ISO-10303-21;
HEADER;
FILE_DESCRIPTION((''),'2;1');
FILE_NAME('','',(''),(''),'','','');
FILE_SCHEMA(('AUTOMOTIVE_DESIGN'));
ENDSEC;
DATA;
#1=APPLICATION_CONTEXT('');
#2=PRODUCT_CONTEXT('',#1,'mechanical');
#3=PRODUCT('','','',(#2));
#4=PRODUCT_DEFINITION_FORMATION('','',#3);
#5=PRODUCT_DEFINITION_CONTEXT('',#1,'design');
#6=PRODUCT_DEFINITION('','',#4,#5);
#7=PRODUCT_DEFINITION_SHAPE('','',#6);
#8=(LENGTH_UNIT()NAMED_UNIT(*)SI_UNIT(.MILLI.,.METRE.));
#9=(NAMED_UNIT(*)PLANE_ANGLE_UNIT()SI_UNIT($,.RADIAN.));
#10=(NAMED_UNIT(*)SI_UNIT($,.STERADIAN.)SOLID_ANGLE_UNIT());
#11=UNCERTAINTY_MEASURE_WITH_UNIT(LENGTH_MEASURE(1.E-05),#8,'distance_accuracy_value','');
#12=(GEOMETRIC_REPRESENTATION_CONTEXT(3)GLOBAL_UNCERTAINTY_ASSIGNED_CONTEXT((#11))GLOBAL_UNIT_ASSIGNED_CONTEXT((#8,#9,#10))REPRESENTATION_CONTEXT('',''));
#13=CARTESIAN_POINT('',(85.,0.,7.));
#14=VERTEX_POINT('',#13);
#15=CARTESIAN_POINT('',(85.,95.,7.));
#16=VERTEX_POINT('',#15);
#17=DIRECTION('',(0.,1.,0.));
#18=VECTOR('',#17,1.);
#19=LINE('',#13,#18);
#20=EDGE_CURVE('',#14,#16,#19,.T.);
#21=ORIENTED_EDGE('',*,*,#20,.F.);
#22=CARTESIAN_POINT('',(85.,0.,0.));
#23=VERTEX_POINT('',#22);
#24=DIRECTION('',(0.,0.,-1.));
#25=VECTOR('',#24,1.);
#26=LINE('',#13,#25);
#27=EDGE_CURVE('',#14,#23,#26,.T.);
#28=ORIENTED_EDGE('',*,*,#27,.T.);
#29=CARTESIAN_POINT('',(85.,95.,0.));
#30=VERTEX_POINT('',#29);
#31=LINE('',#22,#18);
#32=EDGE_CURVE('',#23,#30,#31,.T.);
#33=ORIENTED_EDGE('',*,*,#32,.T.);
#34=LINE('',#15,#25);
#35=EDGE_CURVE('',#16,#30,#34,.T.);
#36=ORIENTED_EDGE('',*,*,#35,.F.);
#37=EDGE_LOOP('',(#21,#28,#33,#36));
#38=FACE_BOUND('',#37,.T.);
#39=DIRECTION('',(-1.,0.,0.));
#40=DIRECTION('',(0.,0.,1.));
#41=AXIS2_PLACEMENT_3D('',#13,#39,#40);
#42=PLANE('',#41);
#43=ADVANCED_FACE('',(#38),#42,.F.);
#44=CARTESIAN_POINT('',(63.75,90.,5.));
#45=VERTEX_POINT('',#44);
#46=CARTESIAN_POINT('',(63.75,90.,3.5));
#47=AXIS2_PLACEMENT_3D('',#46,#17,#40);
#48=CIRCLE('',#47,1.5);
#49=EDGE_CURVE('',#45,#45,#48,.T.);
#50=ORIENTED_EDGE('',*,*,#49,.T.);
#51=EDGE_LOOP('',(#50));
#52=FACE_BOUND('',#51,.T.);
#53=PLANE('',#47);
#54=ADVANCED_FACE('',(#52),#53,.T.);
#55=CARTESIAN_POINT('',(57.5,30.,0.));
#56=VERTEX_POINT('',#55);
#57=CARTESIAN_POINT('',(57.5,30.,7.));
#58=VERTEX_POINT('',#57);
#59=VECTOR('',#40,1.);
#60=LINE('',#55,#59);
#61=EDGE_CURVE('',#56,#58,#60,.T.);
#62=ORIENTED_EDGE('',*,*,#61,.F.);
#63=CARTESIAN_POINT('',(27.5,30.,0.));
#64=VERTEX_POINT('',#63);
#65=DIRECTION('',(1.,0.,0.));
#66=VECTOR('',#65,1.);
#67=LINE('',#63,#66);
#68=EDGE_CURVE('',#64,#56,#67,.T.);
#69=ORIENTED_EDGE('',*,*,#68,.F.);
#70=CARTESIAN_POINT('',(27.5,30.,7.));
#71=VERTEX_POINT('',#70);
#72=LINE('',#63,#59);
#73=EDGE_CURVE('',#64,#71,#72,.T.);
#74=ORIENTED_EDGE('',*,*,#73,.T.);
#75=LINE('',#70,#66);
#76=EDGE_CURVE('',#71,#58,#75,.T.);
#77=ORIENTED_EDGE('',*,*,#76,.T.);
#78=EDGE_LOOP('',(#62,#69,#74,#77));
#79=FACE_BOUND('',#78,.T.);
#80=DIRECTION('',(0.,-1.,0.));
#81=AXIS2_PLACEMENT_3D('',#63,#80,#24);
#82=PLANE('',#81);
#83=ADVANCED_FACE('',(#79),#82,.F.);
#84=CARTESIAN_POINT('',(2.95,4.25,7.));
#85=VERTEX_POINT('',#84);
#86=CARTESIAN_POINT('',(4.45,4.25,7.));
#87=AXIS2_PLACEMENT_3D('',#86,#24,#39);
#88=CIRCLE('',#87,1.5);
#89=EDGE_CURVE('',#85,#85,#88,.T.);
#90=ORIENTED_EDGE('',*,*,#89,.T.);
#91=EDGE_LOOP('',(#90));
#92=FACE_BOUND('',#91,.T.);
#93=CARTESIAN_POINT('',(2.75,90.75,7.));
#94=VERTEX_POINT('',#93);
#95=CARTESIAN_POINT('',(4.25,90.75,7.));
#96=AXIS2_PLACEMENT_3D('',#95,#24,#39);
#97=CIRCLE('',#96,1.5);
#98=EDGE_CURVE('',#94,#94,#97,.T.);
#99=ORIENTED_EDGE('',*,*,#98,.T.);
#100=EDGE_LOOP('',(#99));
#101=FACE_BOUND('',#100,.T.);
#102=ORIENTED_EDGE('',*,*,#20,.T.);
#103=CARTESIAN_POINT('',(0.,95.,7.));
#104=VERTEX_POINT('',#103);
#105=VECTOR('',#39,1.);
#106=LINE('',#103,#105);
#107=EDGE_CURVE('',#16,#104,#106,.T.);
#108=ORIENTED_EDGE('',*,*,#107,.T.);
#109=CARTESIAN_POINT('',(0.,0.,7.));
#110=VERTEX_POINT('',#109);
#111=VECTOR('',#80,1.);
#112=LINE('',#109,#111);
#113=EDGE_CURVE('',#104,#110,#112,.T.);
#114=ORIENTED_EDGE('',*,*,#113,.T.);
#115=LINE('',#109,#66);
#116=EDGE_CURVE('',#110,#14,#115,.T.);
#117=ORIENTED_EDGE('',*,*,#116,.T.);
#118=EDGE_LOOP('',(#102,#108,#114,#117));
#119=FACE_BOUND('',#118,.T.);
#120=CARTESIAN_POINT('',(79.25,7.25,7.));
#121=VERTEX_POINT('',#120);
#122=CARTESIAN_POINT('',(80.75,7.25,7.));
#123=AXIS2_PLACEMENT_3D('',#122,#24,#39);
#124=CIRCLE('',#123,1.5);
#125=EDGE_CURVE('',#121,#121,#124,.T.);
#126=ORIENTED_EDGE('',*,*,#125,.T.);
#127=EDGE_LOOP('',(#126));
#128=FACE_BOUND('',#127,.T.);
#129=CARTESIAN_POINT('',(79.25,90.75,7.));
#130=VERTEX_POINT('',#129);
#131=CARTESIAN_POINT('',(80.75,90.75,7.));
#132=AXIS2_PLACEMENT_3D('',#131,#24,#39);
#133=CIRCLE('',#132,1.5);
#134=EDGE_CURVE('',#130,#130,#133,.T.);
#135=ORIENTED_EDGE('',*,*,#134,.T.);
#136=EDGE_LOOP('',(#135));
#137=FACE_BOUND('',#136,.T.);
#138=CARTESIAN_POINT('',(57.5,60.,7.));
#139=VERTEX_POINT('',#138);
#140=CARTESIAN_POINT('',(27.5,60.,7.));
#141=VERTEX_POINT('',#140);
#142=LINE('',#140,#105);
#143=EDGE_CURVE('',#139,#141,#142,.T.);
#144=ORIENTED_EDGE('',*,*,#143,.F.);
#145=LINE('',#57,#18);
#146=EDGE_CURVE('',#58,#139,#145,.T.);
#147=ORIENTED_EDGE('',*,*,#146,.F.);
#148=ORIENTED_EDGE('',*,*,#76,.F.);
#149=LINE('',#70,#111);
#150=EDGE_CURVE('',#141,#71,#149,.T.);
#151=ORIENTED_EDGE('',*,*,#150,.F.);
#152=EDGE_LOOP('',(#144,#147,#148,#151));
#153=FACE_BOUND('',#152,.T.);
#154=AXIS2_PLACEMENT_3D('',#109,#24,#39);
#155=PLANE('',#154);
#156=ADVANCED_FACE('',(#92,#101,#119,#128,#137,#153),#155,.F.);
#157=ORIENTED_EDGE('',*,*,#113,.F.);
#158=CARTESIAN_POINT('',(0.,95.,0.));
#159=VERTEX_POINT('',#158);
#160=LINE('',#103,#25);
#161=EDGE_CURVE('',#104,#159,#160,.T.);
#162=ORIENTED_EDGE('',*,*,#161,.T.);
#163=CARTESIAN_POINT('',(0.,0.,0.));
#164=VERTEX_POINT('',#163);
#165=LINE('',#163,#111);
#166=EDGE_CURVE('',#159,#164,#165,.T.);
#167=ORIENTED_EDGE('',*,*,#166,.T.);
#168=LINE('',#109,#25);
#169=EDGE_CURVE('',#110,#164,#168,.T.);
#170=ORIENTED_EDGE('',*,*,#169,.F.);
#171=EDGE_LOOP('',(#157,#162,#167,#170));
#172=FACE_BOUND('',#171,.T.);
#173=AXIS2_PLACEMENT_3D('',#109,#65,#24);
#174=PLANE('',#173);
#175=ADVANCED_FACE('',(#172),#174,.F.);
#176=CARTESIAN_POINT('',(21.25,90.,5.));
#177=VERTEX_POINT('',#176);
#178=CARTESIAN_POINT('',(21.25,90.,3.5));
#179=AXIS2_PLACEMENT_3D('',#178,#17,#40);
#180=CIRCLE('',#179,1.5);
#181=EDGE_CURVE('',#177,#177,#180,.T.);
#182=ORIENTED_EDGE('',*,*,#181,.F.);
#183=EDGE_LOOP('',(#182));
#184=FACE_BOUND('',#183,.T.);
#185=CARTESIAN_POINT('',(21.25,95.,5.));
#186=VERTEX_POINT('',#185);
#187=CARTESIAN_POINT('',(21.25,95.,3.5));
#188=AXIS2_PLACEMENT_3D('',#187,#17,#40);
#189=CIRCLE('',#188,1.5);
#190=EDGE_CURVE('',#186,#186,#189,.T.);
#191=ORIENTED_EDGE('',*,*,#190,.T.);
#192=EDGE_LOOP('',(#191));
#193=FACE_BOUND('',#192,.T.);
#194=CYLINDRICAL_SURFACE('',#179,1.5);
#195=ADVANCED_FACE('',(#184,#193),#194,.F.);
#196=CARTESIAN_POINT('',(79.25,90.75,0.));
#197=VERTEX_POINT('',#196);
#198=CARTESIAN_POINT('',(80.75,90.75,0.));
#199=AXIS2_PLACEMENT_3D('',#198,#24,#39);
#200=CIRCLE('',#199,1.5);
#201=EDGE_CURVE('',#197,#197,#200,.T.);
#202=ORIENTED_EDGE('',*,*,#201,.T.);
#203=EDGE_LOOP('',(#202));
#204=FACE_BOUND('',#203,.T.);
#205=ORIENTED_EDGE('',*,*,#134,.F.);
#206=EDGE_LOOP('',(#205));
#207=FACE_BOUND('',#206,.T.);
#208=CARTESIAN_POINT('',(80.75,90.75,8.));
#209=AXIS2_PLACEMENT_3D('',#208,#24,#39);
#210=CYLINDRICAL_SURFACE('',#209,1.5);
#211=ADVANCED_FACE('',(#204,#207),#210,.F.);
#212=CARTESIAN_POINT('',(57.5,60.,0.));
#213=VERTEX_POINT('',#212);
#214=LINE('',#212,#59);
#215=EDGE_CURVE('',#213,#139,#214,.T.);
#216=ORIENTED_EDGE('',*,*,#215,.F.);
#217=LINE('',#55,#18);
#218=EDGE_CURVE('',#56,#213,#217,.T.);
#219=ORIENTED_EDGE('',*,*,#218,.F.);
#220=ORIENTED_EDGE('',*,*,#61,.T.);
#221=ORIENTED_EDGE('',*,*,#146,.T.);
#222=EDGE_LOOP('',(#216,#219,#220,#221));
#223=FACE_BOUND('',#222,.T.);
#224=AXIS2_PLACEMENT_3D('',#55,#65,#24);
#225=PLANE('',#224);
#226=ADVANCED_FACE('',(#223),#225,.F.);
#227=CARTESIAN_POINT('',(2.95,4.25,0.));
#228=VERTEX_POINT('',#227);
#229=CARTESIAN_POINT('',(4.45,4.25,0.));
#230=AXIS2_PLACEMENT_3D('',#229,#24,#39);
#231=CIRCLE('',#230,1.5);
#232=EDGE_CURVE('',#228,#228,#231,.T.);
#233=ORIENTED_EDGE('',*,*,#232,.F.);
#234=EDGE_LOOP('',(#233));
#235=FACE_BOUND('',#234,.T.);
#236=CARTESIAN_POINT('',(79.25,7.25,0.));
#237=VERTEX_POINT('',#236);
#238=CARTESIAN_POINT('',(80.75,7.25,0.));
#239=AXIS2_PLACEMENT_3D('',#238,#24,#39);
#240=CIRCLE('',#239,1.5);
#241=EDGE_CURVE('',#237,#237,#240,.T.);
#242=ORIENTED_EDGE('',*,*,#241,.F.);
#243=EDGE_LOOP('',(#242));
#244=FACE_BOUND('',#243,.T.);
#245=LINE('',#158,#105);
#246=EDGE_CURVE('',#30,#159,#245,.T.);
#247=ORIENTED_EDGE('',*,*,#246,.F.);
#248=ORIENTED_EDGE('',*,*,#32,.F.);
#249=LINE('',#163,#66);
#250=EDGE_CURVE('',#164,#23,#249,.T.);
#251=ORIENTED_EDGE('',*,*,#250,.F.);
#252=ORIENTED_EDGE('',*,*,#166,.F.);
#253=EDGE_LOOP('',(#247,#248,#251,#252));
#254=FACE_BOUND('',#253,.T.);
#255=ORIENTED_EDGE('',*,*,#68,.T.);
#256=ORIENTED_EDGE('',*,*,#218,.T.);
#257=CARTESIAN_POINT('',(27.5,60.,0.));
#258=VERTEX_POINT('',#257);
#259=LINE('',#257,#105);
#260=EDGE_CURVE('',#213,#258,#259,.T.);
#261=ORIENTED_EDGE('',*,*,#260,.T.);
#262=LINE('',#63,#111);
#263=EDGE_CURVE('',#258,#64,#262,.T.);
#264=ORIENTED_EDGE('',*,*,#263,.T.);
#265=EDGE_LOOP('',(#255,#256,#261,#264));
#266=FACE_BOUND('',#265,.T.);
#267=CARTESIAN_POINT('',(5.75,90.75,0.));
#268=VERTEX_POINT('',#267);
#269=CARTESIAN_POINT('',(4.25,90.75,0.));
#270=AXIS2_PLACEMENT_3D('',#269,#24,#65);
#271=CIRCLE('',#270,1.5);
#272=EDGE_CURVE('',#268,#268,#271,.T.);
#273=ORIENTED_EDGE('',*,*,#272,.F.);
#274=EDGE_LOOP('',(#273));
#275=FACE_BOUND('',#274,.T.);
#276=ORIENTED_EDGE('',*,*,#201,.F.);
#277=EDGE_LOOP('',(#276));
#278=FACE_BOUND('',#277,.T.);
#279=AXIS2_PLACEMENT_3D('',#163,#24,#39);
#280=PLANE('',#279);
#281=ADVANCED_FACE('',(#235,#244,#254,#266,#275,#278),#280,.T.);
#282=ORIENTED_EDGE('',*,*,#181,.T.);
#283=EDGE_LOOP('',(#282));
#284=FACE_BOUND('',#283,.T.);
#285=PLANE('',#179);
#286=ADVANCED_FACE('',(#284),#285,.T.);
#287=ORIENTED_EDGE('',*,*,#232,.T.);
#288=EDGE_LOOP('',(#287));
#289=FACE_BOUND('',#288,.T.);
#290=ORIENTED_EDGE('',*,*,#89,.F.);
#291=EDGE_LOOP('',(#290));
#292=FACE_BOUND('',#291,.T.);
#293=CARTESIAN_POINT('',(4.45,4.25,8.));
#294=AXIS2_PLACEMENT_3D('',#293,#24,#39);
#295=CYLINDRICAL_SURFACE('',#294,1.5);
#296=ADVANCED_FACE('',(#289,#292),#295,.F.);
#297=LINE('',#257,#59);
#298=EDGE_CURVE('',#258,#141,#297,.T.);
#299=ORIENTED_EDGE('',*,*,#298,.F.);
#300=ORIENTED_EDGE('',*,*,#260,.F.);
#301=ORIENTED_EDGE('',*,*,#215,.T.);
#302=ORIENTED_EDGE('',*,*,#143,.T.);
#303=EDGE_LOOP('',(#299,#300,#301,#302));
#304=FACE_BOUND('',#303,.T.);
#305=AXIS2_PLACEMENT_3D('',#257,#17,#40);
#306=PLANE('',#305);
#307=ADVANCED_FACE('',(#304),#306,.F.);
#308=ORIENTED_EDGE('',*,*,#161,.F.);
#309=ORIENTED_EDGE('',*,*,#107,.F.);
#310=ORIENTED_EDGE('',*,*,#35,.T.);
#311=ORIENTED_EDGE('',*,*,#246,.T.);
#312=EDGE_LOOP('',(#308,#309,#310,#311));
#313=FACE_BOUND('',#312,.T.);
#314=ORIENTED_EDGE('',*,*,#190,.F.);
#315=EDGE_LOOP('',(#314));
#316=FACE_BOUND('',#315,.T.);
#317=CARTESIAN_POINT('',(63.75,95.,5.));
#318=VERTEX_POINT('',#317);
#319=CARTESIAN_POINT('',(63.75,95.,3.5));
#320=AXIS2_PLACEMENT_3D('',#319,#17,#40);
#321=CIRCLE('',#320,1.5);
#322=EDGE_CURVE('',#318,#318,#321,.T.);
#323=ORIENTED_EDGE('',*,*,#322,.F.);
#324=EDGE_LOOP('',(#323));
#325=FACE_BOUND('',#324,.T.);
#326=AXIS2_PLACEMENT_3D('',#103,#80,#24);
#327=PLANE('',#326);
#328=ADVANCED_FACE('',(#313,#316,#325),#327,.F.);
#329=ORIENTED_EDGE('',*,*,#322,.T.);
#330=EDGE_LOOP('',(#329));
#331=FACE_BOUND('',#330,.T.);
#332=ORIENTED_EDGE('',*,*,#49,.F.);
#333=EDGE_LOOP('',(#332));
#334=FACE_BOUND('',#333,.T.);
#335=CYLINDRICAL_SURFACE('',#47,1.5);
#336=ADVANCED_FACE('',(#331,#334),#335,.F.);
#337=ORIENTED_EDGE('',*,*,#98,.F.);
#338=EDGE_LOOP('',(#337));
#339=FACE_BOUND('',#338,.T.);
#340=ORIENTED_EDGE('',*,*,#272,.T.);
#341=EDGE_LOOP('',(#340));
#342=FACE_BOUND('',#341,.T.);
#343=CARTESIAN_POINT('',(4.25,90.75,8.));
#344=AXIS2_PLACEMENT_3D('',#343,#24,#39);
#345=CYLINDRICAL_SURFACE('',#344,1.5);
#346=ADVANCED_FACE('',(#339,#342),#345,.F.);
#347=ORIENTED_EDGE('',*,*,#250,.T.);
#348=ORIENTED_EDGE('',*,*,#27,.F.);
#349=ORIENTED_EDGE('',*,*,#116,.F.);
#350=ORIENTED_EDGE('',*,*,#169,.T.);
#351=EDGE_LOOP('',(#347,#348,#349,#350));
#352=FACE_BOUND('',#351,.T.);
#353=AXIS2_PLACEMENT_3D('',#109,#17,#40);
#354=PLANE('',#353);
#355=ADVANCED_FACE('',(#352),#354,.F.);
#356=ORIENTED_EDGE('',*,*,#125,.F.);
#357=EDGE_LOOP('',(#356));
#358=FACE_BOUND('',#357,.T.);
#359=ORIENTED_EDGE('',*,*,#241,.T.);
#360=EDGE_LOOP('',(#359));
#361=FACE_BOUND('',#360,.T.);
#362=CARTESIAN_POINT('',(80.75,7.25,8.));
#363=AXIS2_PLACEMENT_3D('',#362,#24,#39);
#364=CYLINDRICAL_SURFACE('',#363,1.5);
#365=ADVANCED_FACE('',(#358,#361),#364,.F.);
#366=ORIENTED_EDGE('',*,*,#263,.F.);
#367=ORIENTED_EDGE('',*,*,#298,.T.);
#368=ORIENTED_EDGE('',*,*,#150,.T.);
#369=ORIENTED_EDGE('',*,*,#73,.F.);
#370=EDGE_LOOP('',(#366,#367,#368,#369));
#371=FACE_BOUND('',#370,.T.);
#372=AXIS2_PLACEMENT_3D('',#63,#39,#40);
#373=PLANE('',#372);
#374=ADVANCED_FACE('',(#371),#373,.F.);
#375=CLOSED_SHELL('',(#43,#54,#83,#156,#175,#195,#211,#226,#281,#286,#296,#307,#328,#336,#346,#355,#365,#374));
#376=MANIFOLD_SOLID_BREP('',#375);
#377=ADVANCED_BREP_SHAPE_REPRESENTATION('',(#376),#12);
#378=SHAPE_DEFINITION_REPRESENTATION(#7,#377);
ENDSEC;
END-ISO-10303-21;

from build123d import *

# Parameters (mm, degrees)
SKETCH1_W           = 85
SKETCH1_H           = 95
BOSS_EXTRUDE1_DEPTH = 7
SKETCH2_W           = 30
SKETCH2_H           = 30
CUT_EXTRUDE1_DEPTH  = 7
SKETCH4_R           = 1.5
CUT_EXTRUDE2_DEPTH  = 5
SKETCH6_R           = 1.5
CUT_EXTRUDE3_DEPTH  = 8


with BuildPart() as part:
    # Sketch1 → Boss-Extrude1 (new body)
    with BuildSketch(Plane.XY):
        with Locations((42.5, 47.5)):
            Rectangle(SKETCH1_W, SKETCH1_H)
    extrude(amount=BOSS_EXTRUDE1_DEPTH)

    # Sketch2 → Cut-Extrude1 (cut)
    with BuildSketch(Plane.XY.offset(7)):
        with Locations((42.5, 45)):
            Rectangle(SKETCH2_W, SKETCH2_H)
    extrude(amount=-CUT_EXTRUDE1_DEPTH, mode=Mode.SUBTRACT)

    # Sketch4 → Cut-Extrude2 (cut)
    with BuildSketch(Plane(origin=(0, 95, 0), x_dir=(1, 0, 0), z_dir=(0, 1, 0))):
        with Locations((21.25, -3.5)):
            Circle(SKETCH4_R)
        with Locations((63.75, -3.5)):
            Circle(SKETCH4_R)
    extrude(amount=-CUT_EXTRUDE2_DEPTH, mode=Mode.SUBTRACT)

    # Sketch6 → Cut-Extrude3 (cut)
    with BuildSketch(Plane(origin=(0, 0, 0), x_dir=(-1, 0, 0), z_dir=(0, 0, -1))):
        with Locations((-80.75, 90.75)):
            Circle(SKETCH6_R)
        with Locations((-4.25, 90.75)):
            Circle(SKETCH6_R)
        with Locations((-4.45, 4.25)):
            Circle(SKETCH6_R)
        with Locations((-80.75, 7.25)):
            Circle(SKETCH6_R)
    extrude(amount=-CUT_EXTRUDE3_DEPTH, mode=Mode.SUBTRACT)


solid = part.part
